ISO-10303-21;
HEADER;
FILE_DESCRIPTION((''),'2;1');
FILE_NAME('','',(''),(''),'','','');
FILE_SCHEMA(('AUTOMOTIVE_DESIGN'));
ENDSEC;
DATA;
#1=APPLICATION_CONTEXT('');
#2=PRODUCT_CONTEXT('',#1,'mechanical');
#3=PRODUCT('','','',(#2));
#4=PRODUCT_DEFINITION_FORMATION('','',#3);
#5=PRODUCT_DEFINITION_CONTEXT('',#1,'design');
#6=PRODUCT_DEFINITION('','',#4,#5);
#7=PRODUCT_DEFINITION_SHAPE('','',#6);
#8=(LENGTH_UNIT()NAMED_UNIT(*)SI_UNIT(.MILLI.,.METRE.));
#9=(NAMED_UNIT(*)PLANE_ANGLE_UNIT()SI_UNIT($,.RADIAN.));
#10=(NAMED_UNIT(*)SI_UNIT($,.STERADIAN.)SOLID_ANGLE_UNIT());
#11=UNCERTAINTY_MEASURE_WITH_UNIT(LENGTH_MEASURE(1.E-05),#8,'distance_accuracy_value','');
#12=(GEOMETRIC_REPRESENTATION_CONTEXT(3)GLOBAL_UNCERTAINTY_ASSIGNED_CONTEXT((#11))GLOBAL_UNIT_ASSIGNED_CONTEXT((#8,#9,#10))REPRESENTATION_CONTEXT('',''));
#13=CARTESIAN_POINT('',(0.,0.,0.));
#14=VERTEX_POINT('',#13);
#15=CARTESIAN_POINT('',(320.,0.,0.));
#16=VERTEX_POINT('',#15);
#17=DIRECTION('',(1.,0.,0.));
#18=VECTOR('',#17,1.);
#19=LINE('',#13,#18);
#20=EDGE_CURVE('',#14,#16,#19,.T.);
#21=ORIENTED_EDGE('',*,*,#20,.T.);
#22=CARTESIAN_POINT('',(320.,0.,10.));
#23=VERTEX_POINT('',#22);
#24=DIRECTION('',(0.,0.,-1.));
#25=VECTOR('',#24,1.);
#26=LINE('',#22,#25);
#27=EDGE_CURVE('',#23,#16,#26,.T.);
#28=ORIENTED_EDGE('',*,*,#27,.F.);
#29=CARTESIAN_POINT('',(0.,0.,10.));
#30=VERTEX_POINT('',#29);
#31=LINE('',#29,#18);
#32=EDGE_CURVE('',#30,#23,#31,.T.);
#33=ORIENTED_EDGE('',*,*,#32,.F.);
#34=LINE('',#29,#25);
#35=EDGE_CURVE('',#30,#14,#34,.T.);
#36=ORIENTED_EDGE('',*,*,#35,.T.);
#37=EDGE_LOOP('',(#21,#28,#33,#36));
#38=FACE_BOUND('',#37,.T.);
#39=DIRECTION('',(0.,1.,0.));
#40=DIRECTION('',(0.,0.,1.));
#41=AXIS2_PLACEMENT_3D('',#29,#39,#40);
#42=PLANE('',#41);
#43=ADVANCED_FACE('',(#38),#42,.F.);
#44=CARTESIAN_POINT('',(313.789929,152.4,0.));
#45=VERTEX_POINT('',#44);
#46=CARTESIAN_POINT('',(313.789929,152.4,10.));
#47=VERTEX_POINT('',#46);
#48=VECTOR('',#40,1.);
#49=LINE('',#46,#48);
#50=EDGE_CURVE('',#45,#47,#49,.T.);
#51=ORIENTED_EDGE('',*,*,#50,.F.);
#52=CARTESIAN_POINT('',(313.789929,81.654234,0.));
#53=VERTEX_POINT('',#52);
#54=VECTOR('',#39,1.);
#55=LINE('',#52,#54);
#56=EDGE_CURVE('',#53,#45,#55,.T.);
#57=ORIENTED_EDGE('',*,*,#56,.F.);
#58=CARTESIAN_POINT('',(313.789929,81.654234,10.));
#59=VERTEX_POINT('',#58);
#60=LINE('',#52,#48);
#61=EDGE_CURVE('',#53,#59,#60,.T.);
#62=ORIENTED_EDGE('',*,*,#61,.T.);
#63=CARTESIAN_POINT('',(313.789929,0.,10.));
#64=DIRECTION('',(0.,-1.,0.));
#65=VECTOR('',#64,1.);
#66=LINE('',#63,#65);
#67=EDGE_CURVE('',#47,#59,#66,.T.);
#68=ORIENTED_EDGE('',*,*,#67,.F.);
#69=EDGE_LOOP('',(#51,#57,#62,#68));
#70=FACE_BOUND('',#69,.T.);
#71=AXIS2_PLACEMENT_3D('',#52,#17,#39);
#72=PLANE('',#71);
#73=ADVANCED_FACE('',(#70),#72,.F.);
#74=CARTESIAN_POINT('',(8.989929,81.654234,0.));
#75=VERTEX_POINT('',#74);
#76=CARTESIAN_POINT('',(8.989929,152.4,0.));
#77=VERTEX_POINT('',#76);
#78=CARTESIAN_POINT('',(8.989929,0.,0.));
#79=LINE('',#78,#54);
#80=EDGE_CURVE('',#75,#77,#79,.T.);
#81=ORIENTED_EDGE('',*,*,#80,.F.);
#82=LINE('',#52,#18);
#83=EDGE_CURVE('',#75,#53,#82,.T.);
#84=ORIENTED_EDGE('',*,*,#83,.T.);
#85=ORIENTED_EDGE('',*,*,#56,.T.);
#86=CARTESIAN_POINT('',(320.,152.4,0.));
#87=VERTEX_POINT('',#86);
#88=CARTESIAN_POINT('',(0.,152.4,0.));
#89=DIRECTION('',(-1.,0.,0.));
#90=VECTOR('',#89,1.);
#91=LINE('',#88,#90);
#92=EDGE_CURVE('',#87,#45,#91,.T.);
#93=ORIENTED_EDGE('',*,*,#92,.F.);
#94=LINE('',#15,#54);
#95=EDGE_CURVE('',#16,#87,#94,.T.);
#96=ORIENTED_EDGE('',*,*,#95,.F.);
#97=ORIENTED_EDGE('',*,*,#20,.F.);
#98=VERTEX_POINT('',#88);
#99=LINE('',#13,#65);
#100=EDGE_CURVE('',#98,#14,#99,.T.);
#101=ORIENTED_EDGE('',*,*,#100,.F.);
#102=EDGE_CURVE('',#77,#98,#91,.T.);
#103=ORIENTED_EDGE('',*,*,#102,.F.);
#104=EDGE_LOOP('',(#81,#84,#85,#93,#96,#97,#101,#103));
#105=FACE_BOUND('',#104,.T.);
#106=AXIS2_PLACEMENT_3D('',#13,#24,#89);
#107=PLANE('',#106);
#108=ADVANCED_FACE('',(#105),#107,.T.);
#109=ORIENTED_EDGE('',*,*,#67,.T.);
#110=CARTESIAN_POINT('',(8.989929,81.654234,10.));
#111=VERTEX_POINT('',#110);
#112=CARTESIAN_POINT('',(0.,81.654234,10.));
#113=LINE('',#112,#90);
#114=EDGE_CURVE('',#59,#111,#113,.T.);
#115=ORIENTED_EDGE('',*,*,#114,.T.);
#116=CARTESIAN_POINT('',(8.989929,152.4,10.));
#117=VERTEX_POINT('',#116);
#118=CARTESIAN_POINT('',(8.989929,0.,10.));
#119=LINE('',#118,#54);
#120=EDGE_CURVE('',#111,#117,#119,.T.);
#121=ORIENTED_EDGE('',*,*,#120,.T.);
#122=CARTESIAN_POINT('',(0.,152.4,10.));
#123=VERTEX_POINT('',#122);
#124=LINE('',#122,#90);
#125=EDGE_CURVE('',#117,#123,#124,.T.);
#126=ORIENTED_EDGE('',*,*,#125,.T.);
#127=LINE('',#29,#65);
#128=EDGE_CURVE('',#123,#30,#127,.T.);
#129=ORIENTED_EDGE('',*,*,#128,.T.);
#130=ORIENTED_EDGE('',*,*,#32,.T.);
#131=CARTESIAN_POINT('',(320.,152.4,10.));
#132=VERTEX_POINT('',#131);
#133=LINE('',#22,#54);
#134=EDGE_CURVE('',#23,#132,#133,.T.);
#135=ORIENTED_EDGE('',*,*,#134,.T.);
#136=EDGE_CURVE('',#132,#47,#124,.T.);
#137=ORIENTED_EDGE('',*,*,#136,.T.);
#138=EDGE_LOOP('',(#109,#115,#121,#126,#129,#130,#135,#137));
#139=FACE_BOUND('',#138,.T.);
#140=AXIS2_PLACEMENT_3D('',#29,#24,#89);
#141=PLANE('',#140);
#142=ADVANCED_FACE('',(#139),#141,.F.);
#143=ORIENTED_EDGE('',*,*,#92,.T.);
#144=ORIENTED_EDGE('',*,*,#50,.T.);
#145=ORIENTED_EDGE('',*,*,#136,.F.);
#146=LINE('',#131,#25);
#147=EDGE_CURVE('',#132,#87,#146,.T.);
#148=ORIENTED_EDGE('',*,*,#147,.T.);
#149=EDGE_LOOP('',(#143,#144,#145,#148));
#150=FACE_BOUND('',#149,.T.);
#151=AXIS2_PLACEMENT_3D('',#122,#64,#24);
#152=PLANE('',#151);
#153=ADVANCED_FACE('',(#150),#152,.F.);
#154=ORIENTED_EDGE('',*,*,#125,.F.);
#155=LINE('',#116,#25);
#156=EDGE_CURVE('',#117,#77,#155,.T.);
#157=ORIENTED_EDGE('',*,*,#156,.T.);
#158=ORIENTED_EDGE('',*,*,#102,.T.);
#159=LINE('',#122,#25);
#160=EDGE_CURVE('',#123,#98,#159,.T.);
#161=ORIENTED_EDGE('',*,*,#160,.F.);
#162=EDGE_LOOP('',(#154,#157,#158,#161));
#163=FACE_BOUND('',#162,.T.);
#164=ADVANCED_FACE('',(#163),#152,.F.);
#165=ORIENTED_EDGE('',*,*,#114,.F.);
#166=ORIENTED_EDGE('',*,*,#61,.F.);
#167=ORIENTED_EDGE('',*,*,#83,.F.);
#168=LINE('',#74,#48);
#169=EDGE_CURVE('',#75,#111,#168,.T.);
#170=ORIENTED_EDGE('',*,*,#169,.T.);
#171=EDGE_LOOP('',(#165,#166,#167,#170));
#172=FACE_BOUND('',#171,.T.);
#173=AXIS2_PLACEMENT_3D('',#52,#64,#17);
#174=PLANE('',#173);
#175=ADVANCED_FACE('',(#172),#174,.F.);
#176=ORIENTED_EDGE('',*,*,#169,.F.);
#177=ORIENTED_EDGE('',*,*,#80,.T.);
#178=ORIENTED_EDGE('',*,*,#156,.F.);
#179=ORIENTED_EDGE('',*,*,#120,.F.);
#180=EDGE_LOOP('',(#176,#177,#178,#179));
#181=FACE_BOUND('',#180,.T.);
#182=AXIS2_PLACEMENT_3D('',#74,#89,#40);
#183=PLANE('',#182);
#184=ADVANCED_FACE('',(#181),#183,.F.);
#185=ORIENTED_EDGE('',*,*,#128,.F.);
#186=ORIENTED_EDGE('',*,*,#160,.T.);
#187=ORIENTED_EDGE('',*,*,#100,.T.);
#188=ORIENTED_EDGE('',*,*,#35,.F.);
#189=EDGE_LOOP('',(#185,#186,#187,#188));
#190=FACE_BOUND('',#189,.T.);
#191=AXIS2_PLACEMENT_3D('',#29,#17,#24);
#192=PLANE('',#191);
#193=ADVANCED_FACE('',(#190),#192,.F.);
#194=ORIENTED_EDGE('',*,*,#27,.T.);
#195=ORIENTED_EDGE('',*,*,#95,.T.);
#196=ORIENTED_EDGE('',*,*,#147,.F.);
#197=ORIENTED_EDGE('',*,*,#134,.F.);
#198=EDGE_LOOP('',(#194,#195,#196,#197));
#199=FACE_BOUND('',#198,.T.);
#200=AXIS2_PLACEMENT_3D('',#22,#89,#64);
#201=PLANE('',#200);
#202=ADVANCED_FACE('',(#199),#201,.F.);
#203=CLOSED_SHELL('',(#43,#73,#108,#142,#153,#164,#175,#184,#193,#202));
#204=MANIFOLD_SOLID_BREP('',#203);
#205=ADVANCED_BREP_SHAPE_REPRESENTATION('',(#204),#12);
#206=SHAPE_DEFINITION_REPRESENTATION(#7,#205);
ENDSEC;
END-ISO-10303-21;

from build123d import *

# Parameters (mm, degrees)
SKETCH2_W               = 320
SKETCH2_H               = 152.4
BOSS_EXTRUDE2_DEPTH     = 10
SKETCH7_W               = 304.8
SKETCH7_H               = 75.37972508
CUT_EXTRUDE1_DEPTH      = 1
CUT_EXTRUDE1_DEPTH_BACK = 11


with BuildPart() as part:
    # Sketch2 → Boss-Extrude2 (new body)
    with BuildSketch(Plane.XY):
        with Locations((160, 76.2)):
            Rectangle(SKETCH2_W, SKETCH2_H)
    extrude(amount=BOSS_EXTRUDE2_DEPTH)

    # Sketch7 → Cut-Extrude1 (cut, two sides)
    with BuildSketch(Plane.XY.offset(10)) as cut_extrude1_sk:
        with Locations((161.389929353, 119.344096734)):
            Rectangle(SKETCH7_W, SKETCH7_H)
    extrude(amount=CUT_EXTRUDE1_DEPTH, mode=Mode.SUBTRACT)
    extrude(cut_extrude1_sk.sketch, amount=-CUT_EXTRUDE1_DEPTH_BACK, mode=Mode.SUBTRACT)


solid = part.part
